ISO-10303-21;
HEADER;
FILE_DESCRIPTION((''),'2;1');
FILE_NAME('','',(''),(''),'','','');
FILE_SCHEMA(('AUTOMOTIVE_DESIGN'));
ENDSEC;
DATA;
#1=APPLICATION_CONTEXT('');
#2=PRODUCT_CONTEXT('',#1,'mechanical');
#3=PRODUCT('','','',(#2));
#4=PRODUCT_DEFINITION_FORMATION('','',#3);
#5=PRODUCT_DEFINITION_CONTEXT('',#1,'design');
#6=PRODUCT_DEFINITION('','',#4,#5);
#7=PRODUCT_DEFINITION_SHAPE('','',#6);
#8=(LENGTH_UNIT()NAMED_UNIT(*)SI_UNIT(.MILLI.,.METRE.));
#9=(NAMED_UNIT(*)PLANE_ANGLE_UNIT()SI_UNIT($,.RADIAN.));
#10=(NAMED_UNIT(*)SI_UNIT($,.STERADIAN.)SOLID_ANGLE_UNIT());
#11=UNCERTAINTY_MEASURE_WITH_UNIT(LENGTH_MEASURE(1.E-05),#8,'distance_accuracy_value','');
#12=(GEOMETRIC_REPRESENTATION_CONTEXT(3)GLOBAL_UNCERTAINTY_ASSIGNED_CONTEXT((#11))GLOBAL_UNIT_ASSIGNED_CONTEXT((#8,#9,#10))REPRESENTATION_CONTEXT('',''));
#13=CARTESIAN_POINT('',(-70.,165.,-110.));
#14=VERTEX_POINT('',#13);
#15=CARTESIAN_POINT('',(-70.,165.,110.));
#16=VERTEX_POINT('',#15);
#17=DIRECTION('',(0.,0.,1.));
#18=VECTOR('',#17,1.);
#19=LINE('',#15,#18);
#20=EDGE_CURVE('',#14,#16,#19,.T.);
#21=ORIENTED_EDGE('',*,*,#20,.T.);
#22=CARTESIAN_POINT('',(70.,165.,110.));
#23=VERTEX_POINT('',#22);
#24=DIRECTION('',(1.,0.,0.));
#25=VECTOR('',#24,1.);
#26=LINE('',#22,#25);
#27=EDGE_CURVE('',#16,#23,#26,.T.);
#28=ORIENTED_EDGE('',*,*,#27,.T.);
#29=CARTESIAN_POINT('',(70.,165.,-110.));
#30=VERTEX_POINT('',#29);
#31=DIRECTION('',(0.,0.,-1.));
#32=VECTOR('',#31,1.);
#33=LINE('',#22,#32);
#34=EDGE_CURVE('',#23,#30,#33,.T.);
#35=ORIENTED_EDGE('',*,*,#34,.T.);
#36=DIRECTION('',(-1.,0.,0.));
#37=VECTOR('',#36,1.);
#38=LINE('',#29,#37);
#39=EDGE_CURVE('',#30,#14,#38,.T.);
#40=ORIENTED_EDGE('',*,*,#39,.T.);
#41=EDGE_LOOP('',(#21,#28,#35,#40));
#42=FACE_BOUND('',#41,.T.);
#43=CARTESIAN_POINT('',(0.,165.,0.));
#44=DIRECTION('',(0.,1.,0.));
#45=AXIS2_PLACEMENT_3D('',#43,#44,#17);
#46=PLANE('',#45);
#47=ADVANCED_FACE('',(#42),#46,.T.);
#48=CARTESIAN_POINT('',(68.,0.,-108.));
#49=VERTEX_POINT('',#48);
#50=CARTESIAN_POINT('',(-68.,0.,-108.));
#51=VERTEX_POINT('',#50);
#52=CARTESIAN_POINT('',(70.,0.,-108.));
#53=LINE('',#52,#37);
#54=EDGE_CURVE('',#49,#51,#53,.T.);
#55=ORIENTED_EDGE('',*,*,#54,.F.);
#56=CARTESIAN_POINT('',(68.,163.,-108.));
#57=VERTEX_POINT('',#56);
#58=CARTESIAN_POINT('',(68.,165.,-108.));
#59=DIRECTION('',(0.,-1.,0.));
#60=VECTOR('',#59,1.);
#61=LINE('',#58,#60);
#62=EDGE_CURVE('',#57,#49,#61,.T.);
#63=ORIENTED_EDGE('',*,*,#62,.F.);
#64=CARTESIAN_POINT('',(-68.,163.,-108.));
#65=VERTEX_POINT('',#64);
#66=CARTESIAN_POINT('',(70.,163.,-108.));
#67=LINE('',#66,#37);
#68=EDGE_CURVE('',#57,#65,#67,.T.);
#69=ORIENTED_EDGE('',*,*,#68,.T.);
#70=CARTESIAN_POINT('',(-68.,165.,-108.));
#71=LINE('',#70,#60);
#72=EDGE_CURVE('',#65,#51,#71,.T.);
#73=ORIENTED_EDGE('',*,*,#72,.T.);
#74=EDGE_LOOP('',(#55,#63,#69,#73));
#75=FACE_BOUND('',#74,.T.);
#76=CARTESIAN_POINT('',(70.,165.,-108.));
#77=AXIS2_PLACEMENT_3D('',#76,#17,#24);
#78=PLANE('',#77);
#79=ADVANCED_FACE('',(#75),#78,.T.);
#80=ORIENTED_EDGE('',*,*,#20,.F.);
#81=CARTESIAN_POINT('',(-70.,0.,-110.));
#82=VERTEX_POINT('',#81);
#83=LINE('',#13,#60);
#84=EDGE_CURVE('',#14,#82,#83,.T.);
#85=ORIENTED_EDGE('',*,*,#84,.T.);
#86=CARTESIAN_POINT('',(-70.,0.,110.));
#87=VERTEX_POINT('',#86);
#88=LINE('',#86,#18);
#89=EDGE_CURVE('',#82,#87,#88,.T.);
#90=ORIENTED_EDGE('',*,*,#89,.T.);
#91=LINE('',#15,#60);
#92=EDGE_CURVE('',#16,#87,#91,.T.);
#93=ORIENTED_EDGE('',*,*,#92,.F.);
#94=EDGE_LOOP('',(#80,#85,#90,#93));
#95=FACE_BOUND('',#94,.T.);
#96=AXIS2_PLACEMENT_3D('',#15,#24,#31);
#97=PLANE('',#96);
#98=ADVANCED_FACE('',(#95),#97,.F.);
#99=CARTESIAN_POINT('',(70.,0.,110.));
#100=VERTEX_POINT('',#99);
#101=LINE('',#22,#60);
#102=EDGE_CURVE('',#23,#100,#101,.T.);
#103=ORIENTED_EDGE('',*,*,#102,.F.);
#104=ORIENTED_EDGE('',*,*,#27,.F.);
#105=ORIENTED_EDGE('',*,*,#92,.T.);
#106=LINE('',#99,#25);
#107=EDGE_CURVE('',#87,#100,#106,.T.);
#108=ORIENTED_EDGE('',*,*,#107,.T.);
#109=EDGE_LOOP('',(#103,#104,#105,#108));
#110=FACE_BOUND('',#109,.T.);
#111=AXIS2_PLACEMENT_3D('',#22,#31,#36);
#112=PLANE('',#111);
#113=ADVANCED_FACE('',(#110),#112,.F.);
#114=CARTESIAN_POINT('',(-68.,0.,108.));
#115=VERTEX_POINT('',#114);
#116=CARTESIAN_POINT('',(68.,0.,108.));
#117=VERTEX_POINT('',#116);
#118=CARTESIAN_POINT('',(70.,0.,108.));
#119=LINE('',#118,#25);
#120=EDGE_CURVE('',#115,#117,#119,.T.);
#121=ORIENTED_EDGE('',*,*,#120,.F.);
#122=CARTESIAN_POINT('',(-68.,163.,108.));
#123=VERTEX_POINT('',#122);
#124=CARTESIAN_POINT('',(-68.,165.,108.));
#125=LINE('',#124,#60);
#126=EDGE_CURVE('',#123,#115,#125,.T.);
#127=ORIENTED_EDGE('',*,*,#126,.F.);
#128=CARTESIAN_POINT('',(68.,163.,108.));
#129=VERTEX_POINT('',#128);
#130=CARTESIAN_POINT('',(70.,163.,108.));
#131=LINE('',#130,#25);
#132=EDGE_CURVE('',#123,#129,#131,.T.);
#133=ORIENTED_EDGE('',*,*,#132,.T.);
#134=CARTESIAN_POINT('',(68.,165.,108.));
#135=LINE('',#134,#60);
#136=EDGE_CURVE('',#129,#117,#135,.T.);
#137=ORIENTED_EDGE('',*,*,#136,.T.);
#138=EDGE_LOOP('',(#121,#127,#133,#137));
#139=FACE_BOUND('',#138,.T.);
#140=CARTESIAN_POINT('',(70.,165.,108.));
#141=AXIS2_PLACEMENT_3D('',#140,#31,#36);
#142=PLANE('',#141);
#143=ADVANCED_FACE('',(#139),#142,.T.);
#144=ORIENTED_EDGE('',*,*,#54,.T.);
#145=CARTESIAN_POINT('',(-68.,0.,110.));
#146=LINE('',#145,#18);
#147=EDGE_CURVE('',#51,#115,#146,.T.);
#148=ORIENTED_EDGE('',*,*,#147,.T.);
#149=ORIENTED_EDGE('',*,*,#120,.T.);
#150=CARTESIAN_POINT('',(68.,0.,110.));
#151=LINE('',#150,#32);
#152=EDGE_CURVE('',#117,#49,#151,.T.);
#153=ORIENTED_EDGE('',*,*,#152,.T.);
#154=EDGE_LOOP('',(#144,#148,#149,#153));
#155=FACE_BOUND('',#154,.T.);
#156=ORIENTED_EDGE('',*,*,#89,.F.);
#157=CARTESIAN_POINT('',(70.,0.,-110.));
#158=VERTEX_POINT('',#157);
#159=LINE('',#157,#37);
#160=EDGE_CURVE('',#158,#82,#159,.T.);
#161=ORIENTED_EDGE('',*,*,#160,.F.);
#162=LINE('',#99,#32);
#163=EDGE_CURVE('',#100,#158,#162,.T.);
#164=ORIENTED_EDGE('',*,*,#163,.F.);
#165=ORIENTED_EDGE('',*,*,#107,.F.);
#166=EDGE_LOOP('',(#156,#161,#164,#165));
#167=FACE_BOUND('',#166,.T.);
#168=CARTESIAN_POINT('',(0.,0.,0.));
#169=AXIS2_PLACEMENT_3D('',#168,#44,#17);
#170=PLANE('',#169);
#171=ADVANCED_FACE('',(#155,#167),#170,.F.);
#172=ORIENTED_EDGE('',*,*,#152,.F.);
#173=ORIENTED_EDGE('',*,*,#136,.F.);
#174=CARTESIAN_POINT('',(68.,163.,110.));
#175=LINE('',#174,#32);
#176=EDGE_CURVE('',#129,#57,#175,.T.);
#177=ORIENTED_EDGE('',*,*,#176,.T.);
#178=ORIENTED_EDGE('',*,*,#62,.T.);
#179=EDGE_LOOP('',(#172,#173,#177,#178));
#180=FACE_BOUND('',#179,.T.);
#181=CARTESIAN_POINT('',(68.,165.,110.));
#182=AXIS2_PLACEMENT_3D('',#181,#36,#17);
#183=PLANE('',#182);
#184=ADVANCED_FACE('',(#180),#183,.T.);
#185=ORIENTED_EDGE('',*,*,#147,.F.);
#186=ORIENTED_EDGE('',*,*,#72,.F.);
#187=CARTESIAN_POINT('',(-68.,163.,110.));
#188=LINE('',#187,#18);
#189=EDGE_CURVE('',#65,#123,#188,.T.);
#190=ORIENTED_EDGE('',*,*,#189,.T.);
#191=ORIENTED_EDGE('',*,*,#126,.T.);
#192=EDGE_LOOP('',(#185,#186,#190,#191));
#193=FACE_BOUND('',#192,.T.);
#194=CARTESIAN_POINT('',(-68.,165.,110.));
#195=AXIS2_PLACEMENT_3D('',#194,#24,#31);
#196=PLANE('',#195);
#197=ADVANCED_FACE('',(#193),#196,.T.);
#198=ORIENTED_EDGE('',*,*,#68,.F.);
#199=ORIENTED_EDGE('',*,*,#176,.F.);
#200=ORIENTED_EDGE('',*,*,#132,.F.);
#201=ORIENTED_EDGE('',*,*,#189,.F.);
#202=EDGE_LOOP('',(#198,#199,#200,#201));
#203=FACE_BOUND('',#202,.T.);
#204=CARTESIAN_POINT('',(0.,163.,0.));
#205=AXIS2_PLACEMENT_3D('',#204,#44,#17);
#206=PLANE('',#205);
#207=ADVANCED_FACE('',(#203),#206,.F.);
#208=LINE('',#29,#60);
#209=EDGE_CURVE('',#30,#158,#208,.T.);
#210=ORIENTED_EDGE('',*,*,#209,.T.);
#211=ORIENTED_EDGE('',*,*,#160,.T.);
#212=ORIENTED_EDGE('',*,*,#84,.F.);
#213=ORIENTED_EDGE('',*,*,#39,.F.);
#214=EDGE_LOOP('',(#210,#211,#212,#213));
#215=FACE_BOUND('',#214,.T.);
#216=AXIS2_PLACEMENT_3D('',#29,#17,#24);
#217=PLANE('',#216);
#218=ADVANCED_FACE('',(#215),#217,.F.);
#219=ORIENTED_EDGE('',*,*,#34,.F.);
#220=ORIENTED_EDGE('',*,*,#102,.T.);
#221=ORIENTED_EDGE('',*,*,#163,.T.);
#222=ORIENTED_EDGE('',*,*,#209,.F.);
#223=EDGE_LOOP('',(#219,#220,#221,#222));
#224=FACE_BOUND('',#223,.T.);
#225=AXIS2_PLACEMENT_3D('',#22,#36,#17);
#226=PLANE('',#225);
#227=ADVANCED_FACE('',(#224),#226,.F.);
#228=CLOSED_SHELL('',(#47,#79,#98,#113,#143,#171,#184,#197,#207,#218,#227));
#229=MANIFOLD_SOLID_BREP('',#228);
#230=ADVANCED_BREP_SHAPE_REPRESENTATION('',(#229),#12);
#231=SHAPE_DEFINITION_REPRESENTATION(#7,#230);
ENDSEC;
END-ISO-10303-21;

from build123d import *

# Parameters (mm, degrees)
SKETCH1_W           = 140
SKETCH1_H           = 220
BOSS_EXTRUDE1_DEPTH = 165
SHELL1_T            = -2


with BuildPart() as part:
    # Sketch1 → Boss-Extrude1 (new body)
    with BuildSketch(Plane(origin=(0, 0, 0), x_dir=(1, 0, 0), z_dir=(0, 1, 0))):
        Rectangle(SKETCH1_W, SKETCH1_H)
    extrude(amount=BOSS_EXTRUDE1_DEPTH)

    # Shell1
    shell1_openings = [part.faces().sort_by_distance(p)[0] for p in [
        (0, 0, 0),
    ]]
    offset(amount=SHELL1_T, openings=shell1_openings, kind=Kind.INTERSECTION)


solid = part.part
